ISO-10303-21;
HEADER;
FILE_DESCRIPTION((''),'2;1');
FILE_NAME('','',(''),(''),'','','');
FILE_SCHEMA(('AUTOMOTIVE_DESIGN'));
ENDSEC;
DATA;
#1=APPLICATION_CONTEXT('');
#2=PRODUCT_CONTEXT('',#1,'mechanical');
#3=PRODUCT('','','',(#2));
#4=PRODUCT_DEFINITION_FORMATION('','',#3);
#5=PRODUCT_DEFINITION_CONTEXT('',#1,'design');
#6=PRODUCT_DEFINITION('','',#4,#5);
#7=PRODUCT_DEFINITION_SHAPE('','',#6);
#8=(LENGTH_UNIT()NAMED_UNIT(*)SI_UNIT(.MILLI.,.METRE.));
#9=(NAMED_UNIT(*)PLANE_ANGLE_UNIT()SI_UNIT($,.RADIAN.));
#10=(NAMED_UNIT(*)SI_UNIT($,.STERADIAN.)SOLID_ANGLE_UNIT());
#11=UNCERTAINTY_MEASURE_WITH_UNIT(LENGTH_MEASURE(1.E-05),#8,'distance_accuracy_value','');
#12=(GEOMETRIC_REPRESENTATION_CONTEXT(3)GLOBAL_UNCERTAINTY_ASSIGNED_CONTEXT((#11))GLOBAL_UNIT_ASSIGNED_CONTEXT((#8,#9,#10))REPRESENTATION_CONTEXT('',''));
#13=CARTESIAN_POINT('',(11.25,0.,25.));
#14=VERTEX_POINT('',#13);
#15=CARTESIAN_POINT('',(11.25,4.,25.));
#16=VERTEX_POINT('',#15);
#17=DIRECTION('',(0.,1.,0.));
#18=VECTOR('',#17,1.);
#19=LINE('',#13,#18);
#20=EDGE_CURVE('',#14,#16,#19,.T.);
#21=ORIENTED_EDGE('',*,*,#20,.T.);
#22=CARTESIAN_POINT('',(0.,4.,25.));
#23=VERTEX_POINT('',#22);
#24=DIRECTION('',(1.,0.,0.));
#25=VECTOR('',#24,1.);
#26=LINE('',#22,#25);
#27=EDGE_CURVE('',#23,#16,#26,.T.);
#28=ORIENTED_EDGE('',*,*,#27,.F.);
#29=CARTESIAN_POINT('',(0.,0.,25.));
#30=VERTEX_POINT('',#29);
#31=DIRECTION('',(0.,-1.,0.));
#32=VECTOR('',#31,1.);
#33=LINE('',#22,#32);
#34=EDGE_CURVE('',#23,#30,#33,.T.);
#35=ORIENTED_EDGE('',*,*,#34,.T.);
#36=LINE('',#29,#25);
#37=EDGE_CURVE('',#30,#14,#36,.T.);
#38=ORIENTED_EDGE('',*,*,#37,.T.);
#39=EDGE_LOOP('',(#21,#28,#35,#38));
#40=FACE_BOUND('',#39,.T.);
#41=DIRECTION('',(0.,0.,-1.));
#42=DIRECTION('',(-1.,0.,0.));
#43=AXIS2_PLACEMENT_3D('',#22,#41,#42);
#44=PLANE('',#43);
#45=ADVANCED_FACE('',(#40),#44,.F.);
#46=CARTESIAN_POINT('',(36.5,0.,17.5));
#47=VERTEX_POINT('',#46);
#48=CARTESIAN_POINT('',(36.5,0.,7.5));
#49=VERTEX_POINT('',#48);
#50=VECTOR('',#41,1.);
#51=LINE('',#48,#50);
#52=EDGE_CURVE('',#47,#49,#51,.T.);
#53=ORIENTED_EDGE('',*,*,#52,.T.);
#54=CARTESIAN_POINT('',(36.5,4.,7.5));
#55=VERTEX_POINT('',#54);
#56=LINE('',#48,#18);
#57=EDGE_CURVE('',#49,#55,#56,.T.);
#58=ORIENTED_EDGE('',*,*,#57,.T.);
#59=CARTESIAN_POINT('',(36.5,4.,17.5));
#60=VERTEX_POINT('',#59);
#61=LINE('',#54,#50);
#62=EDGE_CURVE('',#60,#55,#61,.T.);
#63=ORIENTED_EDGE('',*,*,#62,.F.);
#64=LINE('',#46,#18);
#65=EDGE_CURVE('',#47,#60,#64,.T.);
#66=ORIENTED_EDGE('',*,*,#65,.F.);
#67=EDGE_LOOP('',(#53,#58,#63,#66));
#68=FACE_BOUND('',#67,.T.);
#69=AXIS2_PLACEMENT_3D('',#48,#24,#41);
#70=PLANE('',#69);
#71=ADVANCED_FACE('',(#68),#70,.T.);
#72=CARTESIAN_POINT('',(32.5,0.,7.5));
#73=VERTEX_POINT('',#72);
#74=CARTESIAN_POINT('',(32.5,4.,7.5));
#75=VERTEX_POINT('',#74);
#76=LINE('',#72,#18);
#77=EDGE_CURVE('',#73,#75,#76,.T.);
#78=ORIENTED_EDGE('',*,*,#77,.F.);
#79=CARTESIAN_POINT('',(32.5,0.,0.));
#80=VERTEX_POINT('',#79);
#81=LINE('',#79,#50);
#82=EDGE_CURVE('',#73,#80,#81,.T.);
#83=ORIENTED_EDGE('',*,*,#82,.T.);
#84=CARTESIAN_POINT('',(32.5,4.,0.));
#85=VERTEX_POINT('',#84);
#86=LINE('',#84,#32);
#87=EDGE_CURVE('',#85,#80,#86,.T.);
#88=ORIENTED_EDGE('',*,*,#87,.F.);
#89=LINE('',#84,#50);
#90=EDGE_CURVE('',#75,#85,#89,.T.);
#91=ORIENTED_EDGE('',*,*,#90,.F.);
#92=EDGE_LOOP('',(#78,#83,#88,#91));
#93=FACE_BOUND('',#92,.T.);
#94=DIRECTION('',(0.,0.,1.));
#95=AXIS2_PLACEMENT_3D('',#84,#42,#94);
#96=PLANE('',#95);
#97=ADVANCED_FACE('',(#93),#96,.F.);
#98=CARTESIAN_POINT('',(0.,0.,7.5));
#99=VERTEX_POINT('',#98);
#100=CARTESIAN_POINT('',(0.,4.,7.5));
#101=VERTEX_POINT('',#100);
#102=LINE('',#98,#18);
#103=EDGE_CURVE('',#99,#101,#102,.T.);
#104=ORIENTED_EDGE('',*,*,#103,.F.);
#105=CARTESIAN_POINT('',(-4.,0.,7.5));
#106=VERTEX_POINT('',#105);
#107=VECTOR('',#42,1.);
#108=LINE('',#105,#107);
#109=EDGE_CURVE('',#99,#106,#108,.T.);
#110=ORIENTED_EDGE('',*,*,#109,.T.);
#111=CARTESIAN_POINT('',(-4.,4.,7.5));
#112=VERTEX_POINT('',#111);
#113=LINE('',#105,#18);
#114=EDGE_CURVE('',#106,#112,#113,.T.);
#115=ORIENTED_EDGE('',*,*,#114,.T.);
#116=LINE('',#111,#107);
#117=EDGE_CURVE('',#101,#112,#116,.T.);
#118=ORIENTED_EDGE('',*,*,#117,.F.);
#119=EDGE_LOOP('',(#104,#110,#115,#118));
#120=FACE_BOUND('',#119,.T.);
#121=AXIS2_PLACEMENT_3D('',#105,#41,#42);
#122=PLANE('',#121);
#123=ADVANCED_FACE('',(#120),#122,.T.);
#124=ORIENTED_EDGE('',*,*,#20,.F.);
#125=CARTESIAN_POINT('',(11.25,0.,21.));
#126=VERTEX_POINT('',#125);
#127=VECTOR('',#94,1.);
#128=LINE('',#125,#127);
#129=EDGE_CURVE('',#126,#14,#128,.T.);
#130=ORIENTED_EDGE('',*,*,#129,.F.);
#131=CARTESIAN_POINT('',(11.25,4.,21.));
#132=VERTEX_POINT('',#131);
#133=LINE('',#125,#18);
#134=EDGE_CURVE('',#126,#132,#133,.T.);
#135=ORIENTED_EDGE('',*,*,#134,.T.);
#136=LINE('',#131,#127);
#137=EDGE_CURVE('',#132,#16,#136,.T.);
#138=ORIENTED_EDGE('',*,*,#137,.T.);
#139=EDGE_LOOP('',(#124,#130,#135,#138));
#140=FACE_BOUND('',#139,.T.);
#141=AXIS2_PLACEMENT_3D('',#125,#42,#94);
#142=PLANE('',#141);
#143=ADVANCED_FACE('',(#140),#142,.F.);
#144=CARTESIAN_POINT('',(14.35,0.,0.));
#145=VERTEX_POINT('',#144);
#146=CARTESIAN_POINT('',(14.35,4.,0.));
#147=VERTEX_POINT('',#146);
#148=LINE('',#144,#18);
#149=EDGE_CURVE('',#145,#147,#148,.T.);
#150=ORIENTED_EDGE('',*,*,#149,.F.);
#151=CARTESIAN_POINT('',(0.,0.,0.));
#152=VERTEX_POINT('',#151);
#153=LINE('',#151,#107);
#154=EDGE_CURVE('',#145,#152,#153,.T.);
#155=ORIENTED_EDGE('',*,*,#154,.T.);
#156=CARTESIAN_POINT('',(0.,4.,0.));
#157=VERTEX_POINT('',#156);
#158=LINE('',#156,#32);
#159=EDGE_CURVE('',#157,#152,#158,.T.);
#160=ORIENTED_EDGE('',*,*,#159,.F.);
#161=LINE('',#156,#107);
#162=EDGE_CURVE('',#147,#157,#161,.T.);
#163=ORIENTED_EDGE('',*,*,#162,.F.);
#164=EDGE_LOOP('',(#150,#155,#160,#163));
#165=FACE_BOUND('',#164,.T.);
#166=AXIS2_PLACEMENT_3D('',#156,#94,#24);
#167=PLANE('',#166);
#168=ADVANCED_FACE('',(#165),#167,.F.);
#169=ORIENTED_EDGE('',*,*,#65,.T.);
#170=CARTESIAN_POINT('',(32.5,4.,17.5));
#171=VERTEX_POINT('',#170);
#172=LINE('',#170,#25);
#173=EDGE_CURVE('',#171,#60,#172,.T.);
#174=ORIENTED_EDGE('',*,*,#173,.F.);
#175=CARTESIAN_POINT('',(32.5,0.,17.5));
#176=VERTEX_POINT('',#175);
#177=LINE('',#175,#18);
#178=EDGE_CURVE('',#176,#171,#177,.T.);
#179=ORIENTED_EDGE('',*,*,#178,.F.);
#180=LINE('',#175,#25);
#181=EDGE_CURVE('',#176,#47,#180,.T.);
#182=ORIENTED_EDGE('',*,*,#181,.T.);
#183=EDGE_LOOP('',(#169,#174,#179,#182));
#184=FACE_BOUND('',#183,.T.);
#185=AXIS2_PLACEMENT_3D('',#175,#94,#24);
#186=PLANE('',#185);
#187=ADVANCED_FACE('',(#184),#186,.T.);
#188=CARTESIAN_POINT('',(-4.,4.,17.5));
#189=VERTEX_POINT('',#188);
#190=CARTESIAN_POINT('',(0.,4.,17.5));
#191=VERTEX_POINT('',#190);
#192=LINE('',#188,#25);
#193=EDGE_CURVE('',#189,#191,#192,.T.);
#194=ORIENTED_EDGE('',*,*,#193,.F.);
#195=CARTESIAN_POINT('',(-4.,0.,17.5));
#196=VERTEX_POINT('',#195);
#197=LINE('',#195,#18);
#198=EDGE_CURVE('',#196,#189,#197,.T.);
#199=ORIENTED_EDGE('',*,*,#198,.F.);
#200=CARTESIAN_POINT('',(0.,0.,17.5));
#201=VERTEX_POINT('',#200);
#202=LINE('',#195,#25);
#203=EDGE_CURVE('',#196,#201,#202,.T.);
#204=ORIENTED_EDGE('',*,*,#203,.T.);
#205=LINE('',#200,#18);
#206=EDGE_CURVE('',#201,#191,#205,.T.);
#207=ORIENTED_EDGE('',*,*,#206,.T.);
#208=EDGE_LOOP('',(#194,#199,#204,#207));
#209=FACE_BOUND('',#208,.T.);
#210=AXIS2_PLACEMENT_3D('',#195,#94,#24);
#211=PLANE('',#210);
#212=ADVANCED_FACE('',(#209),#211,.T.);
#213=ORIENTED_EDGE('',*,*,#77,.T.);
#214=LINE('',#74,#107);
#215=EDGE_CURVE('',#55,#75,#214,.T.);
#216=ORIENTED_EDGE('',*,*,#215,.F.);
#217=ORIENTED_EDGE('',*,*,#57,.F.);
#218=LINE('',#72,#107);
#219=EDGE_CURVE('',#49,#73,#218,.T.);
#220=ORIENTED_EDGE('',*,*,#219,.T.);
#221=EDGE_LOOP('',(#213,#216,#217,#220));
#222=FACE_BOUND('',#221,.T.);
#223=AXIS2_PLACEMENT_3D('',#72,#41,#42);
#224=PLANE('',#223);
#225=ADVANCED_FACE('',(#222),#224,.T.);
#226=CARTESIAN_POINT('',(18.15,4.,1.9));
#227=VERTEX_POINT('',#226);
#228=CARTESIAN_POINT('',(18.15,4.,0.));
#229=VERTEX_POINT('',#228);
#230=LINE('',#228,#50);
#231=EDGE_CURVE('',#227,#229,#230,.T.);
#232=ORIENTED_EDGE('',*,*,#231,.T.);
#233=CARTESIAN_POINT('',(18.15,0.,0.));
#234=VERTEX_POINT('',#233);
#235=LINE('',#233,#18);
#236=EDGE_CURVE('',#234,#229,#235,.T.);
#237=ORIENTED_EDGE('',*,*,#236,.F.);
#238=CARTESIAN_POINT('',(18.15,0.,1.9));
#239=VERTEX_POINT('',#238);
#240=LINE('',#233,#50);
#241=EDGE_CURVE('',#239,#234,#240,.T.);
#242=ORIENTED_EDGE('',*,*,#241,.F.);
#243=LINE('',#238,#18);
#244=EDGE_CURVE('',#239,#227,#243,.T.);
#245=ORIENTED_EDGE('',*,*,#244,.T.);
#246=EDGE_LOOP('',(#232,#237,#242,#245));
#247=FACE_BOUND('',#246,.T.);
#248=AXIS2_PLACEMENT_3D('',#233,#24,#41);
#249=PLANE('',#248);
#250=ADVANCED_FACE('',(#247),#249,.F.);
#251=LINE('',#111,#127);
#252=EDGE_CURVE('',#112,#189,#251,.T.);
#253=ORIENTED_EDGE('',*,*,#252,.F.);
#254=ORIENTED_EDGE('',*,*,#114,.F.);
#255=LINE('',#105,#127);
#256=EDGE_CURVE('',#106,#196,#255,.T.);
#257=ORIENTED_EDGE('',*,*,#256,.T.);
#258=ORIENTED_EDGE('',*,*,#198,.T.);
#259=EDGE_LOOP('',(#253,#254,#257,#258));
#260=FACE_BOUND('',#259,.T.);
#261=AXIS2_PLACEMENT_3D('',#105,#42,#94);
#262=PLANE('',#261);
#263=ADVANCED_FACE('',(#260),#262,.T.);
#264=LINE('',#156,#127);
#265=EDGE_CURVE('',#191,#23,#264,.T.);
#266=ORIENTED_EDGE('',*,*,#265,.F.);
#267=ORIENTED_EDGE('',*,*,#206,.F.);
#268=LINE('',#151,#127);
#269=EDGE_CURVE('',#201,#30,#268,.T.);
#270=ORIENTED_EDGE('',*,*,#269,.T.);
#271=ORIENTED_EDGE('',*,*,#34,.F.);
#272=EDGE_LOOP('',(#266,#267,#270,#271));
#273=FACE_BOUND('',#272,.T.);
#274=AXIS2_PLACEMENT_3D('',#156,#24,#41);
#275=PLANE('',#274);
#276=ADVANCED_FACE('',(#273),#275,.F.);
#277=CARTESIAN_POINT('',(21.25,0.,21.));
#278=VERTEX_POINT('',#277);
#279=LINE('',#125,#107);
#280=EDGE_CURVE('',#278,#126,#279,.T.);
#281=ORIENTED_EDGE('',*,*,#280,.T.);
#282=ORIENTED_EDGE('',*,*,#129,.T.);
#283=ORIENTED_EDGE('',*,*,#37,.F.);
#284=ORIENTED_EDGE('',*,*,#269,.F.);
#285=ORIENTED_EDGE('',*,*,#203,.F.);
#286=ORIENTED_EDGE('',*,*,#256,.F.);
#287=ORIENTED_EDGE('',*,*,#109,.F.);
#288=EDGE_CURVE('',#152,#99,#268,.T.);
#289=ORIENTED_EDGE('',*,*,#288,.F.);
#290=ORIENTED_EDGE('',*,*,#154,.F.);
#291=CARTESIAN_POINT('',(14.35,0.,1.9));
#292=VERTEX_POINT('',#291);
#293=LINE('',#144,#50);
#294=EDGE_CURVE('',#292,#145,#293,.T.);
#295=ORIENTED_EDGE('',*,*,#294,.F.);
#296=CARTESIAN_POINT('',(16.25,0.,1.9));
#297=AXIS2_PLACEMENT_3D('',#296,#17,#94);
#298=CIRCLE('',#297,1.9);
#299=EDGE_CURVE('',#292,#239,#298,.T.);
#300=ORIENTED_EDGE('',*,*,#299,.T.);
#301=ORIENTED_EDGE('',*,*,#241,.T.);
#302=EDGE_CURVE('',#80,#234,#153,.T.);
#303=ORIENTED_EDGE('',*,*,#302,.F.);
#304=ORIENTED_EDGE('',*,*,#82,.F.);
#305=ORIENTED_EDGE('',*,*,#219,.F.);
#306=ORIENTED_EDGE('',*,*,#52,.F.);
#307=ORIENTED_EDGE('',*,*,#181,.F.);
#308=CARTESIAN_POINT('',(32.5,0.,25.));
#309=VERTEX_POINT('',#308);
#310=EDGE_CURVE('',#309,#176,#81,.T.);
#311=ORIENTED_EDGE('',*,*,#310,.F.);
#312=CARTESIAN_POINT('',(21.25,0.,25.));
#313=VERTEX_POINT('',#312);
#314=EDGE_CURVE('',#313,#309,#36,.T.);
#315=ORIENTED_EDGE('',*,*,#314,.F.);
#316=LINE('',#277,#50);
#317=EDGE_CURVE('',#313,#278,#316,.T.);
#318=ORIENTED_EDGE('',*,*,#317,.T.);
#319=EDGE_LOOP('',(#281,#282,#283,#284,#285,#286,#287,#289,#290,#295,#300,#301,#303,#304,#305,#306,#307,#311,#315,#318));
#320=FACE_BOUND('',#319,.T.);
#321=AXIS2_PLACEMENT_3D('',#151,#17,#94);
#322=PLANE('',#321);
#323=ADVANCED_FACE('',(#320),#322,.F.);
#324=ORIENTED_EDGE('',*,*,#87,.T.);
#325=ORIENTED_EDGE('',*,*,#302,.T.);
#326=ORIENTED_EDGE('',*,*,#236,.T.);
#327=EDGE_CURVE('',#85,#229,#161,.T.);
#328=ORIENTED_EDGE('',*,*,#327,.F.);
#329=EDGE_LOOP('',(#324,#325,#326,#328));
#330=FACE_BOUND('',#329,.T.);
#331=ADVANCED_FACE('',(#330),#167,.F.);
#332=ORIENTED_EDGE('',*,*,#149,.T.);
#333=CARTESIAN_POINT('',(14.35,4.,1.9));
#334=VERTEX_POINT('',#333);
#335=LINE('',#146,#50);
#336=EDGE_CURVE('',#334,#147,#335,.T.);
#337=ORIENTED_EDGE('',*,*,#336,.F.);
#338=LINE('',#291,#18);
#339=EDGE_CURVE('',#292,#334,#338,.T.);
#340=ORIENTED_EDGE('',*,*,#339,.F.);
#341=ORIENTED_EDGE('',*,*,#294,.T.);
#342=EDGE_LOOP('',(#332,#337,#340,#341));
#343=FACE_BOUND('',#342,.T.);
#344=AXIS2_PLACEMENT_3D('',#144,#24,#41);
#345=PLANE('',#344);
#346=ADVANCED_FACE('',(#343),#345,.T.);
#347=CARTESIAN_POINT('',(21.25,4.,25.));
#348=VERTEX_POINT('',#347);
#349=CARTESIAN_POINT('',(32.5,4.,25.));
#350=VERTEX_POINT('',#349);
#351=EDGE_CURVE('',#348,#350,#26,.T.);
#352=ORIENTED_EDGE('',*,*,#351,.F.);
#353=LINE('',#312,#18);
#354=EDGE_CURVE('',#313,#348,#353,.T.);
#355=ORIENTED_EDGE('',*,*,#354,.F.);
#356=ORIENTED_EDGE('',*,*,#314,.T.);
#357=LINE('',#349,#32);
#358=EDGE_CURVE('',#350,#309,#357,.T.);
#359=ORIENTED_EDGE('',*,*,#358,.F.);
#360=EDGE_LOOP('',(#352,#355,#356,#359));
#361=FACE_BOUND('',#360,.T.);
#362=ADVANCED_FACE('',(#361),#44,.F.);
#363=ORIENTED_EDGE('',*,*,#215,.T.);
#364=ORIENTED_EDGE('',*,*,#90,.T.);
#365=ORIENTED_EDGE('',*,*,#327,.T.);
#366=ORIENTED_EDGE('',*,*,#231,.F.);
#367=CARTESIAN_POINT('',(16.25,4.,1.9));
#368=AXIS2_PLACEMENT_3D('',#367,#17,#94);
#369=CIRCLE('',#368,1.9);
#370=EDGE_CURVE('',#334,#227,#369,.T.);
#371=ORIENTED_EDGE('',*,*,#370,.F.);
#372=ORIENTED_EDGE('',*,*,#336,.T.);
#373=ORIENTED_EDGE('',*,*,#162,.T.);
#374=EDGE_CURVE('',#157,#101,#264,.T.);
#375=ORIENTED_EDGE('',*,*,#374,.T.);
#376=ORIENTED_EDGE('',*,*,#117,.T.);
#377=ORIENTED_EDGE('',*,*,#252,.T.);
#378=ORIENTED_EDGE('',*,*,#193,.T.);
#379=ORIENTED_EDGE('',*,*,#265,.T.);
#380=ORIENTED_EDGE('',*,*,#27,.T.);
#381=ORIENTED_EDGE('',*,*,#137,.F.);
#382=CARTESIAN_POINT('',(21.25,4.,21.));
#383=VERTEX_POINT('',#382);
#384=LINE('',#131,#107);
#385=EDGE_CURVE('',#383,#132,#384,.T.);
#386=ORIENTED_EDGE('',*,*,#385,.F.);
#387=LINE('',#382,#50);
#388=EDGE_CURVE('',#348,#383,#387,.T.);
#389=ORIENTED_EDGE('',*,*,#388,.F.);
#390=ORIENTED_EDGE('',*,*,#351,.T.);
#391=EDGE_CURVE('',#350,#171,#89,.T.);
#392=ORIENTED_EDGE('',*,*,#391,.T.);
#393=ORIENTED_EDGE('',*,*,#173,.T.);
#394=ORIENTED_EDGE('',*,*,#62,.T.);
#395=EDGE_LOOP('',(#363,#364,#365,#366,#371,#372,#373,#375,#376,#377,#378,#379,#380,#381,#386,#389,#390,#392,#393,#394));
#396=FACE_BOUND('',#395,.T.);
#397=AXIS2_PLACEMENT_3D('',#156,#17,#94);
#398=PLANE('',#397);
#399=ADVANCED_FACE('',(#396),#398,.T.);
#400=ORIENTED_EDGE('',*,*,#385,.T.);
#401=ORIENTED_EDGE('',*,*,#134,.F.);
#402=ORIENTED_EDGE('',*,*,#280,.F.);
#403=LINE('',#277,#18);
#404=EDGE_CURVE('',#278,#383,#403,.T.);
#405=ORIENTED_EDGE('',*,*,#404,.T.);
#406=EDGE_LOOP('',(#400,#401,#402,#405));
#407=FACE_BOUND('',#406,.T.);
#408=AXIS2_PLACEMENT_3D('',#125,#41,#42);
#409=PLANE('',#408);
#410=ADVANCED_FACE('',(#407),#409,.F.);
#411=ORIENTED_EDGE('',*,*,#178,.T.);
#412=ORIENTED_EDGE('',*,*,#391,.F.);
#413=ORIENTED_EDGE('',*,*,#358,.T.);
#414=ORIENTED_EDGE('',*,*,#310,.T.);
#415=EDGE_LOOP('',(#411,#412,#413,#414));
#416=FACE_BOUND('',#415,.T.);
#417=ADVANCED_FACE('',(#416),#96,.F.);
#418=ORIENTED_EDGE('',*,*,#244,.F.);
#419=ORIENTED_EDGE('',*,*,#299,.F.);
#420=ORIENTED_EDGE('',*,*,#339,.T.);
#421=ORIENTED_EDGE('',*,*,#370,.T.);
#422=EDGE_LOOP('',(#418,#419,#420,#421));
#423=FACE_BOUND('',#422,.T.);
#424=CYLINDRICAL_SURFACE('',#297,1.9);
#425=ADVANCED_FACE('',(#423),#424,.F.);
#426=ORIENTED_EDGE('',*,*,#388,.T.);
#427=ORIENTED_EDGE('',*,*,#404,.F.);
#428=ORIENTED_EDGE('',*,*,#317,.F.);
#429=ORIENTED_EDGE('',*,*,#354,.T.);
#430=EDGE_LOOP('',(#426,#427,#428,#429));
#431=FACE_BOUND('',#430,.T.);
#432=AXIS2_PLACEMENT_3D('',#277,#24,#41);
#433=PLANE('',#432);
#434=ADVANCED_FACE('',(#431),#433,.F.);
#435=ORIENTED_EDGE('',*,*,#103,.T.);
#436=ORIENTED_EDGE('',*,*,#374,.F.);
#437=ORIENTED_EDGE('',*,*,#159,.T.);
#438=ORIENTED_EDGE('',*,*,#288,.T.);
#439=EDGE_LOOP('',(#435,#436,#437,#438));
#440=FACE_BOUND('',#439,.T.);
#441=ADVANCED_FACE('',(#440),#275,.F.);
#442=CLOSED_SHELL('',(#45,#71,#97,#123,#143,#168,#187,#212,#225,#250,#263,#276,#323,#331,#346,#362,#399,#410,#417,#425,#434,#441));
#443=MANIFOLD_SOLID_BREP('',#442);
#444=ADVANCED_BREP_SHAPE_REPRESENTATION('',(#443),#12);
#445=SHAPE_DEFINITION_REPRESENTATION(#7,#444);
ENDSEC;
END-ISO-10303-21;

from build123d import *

# Parameters (mm, degrees)
SKETCH1_W           = 32.5
SKETCH1_H           = 25
BOSS_EXTRUDE1_DEPTH = 4
SKETCH2_R           = 1.9
SKETCH2_W           = 3.8
SKETCH2_H           = 1.9
CUT_EXTRUDE5_DEPTH  = 5
SKETCH3_W           = 4
SKETCH3_H           = 10
BOSS_EXTRUDE2_DEPTH = 4
SKETCH4_W           = 10
SKETCH4_H           = 4
CUT_EXTRUDE6_DEPTH  = 5


with BuildPart() as part:
    # Sketch1 → Boss-Extrude1 (new body)
    with BuildSketch(Plane(origin=(0, 0, 0), x_dir=(1, 0, 0), z_dir=(0, 1, 0))):
        with Locations((16.25, -12.5)):
            Rectangle(SKETCH1_W, SKETCH1_H)
    extrude(amount=BOSS_EXTRUDE1_DEPTH)

    # Sketch2 → Cut-Extrude5 (cut, through all)
    with BuildSketch(Plane(origin=(0, 4, 0), x_dir=(1, 0, 0), z_dir=(0, 1, 0))):
        with Locations((16.25, -1.9)):
            Circle(SKETCH2_R)
        with Locations((16.25, -0.95)):
            Rectangle(SKETCH2_W, SKETCH2_H)
    extrude(amount=-CUT_EXTRUDE5_DEPTH, mode=Mode.SUBTRACT)

    # Sketch3 → Boss-Extrude2 (add, through all)
    with BuildSketch(Plane(origin=(0, 4, 0), x_dir=(1, 0, 0), z_dir=(0, 1, 0))):
        with Locations((-2, -12.5)):
            Rectangle(SKETCH3_W, SKETCH3_H)
        with Locations((34.5, -12.5)):
            Rectangle(SKETCH3_W, SKETCH3_H)
    extrude(amount=-BOSS_EXTRUDE2_DEPTH)

    # Sketch4 → Cut-Extrude6 (cut, through all)
    with BuildSketch(Plane(origin=(0, 4, 0), x_dir=(1, 0, 0), z_dir=(0, 1, 0))):
        with Locations((16.25, -23)):
            Rectangle(SKETCH4_W, SKETCH4_H)
    extrude(amount=-CUT_EXTRUDE6_DEPTH, mode=Mode.SUBTRACT)


solid = part.part
